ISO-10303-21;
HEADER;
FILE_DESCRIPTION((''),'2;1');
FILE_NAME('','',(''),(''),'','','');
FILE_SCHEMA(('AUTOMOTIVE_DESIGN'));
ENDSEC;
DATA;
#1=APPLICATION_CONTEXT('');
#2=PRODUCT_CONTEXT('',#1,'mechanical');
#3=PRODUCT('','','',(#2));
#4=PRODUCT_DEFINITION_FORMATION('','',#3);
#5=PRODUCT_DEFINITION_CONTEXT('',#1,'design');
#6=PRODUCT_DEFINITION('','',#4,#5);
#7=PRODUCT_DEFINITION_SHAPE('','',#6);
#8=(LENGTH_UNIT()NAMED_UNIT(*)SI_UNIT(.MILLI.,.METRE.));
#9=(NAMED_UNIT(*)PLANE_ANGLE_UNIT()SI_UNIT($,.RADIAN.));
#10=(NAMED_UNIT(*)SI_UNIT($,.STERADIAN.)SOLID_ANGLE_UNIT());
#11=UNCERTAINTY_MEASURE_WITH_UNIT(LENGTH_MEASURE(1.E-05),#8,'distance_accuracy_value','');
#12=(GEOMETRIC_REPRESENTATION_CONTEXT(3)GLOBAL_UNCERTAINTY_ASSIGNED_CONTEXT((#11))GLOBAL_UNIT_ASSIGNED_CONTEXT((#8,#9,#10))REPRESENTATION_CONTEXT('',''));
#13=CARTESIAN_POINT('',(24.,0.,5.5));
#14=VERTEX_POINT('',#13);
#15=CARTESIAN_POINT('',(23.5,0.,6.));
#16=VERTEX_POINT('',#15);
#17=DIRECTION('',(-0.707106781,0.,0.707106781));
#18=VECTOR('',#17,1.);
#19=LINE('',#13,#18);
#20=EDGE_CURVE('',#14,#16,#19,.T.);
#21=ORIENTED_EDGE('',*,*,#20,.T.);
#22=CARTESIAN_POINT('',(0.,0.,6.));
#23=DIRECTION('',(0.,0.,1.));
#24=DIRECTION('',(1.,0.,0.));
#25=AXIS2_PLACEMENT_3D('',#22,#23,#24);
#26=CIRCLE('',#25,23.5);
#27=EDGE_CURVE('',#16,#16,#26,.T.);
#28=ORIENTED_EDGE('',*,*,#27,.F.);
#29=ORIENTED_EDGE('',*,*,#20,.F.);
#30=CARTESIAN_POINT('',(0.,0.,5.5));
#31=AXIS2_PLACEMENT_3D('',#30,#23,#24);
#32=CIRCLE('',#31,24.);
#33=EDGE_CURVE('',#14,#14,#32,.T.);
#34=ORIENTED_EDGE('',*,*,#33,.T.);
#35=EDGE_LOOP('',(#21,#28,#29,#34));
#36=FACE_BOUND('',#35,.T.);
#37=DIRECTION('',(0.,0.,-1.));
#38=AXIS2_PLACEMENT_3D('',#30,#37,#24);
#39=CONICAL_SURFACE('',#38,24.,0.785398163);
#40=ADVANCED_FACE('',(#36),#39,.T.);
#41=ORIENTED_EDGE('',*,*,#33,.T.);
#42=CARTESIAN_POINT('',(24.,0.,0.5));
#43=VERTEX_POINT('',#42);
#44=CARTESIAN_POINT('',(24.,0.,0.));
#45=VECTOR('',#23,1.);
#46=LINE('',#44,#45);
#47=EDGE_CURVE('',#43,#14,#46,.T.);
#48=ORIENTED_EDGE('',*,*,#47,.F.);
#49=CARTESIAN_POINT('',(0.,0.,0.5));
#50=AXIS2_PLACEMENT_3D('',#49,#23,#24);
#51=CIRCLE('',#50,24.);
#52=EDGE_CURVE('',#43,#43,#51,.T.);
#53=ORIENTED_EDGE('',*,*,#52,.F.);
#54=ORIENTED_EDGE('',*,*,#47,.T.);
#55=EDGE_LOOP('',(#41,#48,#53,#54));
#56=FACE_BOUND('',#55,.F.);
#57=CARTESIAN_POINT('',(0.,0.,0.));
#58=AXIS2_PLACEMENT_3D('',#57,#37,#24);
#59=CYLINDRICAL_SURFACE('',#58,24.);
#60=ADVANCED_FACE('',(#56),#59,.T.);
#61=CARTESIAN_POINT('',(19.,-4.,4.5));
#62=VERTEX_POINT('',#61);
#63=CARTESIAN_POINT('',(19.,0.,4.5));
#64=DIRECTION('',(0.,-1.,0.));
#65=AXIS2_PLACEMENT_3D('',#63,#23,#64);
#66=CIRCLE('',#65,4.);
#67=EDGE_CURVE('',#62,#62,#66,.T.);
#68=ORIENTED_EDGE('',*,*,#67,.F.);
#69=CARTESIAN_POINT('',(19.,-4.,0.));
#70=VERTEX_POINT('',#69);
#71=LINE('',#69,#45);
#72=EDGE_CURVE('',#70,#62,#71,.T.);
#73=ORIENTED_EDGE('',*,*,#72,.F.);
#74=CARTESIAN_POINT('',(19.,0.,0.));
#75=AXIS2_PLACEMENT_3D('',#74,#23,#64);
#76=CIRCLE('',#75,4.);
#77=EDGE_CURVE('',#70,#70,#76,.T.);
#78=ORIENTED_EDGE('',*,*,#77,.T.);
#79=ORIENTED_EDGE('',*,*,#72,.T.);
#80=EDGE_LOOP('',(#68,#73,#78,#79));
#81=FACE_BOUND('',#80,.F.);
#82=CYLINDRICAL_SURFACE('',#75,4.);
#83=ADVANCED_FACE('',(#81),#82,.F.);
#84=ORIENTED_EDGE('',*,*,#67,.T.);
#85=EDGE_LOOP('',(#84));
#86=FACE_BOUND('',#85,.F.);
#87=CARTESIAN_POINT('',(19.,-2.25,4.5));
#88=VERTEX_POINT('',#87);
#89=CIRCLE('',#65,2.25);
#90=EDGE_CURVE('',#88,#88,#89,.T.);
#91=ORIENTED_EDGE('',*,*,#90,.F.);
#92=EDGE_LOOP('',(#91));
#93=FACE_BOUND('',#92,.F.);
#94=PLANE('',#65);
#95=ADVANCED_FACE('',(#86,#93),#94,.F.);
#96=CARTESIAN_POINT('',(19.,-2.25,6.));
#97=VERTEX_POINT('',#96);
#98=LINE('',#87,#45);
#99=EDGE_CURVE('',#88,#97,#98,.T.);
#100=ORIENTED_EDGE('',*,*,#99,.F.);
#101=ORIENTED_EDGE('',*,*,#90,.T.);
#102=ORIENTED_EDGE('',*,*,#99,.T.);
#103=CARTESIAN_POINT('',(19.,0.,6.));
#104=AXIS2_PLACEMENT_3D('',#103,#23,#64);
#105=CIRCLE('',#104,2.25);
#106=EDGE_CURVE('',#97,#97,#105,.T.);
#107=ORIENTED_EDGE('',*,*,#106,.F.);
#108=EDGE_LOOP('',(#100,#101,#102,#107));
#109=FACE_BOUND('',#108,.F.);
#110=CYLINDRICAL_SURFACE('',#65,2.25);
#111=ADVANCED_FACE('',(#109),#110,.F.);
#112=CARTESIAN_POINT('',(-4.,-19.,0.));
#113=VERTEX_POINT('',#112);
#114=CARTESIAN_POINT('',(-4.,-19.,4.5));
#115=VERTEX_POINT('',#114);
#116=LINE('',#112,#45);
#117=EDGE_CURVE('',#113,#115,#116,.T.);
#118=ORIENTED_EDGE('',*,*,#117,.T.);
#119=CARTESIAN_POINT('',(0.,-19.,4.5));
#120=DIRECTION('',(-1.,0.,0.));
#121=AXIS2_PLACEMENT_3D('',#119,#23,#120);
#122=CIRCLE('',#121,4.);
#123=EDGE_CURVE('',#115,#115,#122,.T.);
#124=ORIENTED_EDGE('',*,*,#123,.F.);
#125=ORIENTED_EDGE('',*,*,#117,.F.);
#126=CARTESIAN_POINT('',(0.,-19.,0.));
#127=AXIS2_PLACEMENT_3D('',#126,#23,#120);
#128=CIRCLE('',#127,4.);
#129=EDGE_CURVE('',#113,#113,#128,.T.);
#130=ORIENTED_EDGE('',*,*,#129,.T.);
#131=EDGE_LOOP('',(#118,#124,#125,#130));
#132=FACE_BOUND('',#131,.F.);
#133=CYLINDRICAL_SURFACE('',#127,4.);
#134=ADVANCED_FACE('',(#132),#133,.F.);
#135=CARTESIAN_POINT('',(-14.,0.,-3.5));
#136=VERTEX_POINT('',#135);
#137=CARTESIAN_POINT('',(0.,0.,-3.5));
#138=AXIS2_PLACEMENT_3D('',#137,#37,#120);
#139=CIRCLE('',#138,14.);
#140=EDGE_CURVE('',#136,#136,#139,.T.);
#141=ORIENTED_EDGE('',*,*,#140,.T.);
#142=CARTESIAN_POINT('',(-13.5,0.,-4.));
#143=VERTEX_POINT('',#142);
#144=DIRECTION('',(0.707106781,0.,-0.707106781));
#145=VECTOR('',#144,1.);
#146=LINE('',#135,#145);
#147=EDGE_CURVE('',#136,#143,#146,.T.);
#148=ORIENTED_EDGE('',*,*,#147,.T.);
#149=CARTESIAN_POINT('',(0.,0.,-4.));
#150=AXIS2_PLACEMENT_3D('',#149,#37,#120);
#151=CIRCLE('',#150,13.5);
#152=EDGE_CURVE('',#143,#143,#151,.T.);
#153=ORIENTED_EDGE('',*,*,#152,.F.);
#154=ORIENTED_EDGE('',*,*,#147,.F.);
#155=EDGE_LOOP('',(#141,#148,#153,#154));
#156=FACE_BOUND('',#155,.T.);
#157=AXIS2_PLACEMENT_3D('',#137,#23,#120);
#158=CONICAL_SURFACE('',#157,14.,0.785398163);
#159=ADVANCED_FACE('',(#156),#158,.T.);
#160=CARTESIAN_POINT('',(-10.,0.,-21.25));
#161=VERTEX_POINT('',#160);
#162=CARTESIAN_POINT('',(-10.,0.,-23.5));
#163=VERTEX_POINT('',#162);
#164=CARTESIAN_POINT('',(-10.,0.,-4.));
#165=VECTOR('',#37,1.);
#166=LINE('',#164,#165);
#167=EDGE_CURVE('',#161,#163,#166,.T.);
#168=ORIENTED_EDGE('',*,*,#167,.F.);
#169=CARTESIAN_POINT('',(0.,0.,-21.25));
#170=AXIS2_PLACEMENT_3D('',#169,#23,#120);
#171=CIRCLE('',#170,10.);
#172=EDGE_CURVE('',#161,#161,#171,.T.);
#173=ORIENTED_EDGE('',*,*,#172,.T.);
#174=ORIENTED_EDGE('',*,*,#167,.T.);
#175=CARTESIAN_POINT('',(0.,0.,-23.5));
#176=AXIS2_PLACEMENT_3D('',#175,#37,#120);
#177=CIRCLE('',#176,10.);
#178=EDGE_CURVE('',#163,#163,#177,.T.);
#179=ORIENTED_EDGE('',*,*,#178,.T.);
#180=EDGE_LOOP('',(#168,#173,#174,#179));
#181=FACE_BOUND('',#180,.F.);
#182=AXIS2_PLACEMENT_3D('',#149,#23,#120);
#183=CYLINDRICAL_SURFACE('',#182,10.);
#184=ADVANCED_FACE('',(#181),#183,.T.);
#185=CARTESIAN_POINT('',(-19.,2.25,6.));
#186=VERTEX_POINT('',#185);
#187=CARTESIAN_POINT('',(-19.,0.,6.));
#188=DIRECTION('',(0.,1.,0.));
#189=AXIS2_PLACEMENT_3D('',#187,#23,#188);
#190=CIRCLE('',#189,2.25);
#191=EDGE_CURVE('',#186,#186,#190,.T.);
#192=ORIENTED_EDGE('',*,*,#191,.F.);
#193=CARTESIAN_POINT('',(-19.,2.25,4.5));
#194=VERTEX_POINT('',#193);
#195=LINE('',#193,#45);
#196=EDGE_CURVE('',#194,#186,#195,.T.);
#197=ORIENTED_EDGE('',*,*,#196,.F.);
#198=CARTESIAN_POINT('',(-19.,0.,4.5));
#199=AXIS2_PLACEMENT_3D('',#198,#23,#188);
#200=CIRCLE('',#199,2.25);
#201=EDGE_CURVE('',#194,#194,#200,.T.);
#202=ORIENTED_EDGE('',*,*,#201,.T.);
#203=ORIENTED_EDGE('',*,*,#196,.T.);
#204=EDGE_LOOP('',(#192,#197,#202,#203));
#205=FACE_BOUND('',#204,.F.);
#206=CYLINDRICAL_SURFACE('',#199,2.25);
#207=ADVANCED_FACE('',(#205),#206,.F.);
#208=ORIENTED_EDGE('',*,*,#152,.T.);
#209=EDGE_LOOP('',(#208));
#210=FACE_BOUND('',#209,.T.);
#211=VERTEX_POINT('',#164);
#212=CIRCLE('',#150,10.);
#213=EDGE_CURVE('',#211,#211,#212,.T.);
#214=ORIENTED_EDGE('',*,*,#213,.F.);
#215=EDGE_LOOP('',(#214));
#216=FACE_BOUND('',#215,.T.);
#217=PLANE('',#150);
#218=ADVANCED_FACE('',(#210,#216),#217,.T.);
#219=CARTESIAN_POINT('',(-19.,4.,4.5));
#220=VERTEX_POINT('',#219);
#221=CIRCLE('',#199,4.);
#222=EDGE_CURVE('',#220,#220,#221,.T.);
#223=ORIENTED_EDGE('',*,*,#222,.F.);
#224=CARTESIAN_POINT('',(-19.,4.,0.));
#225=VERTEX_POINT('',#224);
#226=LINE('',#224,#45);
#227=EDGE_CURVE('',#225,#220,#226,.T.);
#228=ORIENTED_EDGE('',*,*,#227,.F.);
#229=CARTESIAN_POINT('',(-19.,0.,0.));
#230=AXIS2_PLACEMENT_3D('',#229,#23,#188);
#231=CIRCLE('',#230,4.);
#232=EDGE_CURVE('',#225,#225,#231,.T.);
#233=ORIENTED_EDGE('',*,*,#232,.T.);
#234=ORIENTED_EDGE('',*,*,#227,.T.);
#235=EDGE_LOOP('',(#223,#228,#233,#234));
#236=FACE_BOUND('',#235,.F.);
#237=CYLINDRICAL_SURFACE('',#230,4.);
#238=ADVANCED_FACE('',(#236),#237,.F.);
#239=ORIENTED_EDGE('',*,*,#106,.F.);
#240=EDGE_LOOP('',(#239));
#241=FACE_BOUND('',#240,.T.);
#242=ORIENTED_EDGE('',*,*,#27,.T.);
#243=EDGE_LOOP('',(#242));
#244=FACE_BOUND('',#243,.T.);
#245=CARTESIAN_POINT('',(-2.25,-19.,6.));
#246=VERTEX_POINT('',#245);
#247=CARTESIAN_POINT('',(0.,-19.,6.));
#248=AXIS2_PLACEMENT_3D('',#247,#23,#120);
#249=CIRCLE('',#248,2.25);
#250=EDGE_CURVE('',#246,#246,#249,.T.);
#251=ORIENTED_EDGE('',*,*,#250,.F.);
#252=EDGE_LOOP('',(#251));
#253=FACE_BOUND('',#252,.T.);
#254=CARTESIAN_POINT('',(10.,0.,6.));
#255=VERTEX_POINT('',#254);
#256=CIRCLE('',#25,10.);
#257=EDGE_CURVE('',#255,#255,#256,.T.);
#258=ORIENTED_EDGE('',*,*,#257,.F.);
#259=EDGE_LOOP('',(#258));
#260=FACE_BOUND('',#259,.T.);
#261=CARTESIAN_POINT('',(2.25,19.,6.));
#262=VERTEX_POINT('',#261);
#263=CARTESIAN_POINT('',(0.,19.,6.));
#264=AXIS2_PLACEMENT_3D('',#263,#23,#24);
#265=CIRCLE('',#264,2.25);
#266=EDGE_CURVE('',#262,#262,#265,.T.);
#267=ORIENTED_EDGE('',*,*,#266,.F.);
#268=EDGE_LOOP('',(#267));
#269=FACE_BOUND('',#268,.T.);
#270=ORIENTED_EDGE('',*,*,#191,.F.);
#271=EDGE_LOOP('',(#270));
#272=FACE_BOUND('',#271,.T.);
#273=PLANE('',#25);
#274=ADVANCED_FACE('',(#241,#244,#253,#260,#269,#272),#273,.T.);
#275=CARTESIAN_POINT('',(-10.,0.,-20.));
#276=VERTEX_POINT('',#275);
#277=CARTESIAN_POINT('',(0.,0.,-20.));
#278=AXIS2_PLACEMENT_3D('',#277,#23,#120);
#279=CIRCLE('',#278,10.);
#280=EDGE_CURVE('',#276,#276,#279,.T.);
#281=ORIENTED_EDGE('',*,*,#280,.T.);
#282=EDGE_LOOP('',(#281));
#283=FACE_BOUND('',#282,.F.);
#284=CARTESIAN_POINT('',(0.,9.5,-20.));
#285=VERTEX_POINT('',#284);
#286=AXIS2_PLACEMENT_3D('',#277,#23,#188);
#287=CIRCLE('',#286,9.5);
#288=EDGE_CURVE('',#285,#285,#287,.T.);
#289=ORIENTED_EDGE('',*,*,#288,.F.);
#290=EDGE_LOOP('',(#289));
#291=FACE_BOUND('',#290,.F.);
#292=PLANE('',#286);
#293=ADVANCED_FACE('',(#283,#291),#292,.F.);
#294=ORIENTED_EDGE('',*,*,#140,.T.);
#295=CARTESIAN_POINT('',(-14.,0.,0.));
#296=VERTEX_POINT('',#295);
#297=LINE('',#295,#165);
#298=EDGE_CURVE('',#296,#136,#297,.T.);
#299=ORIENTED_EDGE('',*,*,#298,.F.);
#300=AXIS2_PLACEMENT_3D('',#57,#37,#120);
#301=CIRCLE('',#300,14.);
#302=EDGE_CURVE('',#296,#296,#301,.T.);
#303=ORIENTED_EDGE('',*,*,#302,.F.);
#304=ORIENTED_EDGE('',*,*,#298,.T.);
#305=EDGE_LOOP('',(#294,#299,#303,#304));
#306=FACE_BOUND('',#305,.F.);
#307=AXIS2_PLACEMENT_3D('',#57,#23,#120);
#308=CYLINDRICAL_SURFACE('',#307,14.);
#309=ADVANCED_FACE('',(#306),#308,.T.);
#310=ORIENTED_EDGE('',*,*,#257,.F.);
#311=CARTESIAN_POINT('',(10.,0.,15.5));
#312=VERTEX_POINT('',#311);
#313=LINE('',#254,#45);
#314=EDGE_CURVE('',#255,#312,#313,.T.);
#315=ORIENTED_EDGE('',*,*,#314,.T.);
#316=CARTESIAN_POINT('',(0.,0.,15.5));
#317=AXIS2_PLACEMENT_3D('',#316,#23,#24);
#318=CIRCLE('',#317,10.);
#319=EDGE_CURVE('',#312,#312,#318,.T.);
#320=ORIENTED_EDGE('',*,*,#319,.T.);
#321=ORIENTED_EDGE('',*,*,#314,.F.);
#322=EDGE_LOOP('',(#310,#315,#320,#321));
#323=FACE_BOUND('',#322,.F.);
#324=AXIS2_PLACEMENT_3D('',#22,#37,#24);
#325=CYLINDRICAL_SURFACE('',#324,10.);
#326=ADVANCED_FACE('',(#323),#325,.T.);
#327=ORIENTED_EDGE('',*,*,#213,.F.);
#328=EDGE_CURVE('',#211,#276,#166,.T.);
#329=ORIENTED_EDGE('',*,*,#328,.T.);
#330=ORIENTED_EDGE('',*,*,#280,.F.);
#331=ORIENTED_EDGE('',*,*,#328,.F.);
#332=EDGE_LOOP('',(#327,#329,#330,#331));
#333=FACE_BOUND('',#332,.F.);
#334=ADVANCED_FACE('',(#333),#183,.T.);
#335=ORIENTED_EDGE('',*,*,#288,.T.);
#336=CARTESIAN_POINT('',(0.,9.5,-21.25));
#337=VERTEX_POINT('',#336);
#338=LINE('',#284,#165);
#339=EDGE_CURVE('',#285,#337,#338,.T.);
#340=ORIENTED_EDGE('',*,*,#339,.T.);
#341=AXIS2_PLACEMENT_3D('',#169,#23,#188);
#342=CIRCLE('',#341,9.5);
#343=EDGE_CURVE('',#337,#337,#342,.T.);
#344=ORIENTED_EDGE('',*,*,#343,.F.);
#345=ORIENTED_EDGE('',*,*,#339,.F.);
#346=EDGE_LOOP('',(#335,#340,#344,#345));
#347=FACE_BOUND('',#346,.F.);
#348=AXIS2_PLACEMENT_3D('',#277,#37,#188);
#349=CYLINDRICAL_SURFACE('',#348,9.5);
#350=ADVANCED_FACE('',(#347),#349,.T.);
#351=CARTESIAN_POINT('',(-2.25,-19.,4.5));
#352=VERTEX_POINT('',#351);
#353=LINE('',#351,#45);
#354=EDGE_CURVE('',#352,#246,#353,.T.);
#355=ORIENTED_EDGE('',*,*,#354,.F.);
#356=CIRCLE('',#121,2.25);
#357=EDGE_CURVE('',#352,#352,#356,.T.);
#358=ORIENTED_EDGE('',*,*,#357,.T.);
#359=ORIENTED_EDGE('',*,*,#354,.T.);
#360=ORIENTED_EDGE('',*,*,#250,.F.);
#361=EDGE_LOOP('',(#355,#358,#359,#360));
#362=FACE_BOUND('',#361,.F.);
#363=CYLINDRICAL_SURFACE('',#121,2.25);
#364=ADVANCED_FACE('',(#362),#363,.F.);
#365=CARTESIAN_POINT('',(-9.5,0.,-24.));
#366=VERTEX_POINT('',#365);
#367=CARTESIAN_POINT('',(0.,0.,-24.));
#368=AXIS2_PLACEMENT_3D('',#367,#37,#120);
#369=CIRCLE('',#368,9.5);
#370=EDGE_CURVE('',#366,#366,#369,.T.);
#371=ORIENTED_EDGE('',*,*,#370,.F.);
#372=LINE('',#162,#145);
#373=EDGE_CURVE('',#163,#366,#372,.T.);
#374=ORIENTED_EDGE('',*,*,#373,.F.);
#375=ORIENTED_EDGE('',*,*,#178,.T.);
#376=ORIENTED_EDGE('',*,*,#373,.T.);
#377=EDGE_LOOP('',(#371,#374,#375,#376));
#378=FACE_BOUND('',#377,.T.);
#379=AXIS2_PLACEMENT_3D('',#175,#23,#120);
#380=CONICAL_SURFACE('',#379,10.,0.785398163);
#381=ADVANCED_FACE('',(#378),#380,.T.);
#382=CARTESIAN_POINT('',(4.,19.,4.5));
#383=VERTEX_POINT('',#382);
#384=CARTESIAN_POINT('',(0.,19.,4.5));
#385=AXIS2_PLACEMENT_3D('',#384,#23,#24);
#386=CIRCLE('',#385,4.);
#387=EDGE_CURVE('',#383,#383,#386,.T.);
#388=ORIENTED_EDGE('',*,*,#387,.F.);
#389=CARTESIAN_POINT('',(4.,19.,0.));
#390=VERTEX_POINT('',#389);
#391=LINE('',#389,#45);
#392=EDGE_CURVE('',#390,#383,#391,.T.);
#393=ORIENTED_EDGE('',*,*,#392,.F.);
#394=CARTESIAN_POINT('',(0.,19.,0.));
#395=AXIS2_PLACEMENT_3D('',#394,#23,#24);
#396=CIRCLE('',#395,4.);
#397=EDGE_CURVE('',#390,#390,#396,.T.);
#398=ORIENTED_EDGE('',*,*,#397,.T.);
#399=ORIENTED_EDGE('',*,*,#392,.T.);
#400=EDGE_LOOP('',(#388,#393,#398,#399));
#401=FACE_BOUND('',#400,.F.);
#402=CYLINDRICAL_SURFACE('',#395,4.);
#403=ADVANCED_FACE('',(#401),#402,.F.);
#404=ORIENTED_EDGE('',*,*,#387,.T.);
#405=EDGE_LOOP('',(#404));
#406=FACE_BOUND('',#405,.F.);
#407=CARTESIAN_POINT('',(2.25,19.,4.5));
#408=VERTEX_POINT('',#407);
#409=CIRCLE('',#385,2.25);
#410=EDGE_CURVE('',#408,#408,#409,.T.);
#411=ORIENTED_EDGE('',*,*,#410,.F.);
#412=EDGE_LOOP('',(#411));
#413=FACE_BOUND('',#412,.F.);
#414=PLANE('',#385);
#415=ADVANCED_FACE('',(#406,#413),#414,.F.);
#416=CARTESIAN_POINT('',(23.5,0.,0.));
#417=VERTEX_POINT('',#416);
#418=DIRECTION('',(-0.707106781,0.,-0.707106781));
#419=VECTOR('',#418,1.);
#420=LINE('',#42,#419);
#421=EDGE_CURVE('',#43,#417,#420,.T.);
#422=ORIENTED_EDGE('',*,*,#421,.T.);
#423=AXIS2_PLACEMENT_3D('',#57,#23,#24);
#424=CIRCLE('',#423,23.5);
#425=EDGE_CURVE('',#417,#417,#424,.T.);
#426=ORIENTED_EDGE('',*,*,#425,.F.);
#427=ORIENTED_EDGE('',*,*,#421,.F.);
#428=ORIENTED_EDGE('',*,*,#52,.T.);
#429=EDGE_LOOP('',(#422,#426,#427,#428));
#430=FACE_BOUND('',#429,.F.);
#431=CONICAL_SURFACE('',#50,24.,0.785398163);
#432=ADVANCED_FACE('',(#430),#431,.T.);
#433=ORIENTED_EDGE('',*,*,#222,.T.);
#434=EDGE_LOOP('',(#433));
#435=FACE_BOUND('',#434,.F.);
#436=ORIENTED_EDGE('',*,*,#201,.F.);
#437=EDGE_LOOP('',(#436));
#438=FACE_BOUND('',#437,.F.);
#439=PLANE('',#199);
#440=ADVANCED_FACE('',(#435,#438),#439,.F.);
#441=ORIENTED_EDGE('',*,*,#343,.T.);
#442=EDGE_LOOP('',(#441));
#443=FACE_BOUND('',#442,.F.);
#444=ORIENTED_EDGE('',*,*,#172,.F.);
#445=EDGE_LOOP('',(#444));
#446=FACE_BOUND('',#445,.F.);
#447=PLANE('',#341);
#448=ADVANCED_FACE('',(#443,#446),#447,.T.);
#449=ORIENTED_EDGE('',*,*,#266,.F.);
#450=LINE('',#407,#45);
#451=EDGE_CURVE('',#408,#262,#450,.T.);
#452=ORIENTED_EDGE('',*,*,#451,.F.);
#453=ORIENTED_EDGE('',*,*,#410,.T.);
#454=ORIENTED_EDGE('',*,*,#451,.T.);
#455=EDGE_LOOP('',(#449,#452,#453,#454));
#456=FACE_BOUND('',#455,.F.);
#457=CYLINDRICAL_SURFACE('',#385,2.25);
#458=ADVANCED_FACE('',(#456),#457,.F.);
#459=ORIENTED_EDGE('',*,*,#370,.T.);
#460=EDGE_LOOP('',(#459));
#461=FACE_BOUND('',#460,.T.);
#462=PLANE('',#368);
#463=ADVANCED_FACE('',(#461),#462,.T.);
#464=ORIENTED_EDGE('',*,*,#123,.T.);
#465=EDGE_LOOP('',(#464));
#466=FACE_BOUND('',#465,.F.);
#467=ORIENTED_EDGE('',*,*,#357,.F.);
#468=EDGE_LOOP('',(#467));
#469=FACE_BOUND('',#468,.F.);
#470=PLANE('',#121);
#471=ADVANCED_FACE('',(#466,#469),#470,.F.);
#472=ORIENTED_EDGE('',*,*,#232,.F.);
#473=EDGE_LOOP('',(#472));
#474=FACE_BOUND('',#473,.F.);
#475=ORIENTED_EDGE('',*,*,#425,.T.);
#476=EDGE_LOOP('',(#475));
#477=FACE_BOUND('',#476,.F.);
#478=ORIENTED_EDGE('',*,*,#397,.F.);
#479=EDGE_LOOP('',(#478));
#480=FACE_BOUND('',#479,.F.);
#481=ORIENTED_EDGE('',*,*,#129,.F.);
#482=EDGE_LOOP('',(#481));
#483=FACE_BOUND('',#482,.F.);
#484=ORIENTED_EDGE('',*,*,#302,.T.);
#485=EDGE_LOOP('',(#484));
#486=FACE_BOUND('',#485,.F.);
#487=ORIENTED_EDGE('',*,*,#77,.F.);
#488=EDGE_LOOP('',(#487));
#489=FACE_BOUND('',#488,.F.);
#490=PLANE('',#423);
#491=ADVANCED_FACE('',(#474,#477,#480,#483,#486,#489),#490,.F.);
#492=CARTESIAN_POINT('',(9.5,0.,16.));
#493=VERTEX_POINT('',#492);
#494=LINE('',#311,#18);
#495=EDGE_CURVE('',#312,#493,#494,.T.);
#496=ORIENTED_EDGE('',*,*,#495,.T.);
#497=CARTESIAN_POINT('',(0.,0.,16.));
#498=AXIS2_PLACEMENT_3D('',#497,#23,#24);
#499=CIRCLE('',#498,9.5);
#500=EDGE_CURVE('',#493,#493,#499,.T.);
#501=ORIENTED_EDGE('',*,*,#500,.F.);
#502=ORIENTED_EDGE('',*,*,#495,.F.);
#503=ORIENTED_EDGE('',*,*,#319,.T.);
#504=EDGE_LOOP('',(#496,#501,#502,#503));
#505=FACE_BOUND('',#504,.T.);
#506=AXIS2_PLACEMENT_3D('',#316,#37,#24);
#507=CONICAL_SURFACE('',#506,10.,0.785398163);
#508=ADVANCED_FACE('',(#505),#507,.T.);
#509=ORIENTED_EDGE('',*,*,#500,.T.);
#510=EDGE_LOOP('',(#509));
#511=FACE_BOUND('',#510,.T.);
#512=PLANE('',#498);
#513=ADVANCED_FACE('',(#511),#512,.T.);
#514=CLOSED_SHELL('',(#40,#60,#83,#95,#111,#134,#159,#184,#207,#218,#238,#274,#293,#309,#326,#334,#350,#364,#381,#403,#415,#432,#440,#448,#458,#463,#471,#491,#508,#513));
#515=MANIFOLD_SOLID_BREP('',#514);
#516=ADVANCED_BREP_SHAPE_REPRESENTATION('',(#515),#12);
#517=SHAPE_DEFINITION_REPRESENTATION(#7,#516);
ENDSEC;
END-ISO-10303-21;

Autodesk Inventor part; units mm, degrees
ref_plane "YZ Plane" through (0, 0, 0) normal (1, 0, 0) x (0, 1, 0)
ref_plane "XZ Plane" through (0, 0, 0) normal (0, 1, 0) x (-1, 0, 0)
ref_plane "XY Plane" through (0, 0, 0) normal (0, 0, 1) x (1, 0, 0)
sketch "Esboço1" plane through (0, 0, 0) normal (0, 0, 1) x (1, 0, 0)
  circle A0 centre (0, 0) radius 24
  dimension "d0" = 48
extrude "Extrusão1" add sketch "Esboço1" along normal blind 6
sketch "Esboço2" plane through (0, 0, 6) normal (0, 0, 1) x (1, 0, 0)
  circle A0 centre (0, 0) radius 24 projected
  circle A1 centre (0, 0) radius 10
  dimension "d3" = 20
extrude "Extrusão2" add sketch "Esboço2" along normal blind 10 contours A1
sketch "Esboço3" plane through (0, 0, 0) normal (0, 0, -1) x (-1, 0, 0)
  circle A0 centre (0, 0) radius 24 projected
  circle A1 centre (0, 0) radius 14
  dimension "d6" = 28
extrude "Extrusão3" add sketch "Esboço3" along normal blind 4 contours A1
sketch "Esboço4" plane through (0, 0, -4) normal (0, 0, -1) x (-1, 0, 0)
  circle A0 centre (0, 0) radius 14 projected
  circle A1 centre (0, 0) radius 10
  dimension "d9" = 20
extrude "Extrusão4" add sketch "Esboço4" along normal blind 20 contours A1
sketch "Esboço5" plane through (0, 0, 0) normal (1, 0, 0) x (0, 1, 0)
  line L0 (10, -20) -> (9.5, -20)
  line L1 (9.5, -20) -> (9.5, -21.25)
  line L2 (9.5, -21.25) -> (10, -21.25)
  line L3 (10, -21.25) -> (10, -20)
  line L4 (-10, -24) -> (10, -24) projected
  line L5 (0, -32) -> (0, 24) projected
  point P0 (0, 0)
  dimension "d12" = 1.25
  dimension "d13" = 4
  dimension "d14" = 9.5
revolve "Revolução1" cut sketch "Esboço5" angle 360 about axis through (0, 0, -10) along (0, 0, 1)
sketch "Esboço6" plane through (0, 0, 0) normal (0, 0, -1) x (-1, 0, 0)
  circle A0 centre (0, 0) radius 14 projected
  point P0 (19, 0)
  dimension "d16" = 19
hole "Furo1" at (-19, 0, 0) direction (0, 0, 1) diameter 4.5 end through all counterbore diameter 8 counterbore depth 4.5 clearance for "Socket Head Cap Screw DIN EN ISO 4762" size "M4" standard "DIN"
pattern_circular "Padrão circular1" count 4 over 360 about axis through (0, 0, 0) along (0, 0, 1) of "Furo1"
chamfer "Chanfro1" distance 0.5 angle 45 5 edges at (-10, 0, 16) (-24, 0, 6) (-24, 0, 0) (14, 0, -4) (10, 0, -24)
